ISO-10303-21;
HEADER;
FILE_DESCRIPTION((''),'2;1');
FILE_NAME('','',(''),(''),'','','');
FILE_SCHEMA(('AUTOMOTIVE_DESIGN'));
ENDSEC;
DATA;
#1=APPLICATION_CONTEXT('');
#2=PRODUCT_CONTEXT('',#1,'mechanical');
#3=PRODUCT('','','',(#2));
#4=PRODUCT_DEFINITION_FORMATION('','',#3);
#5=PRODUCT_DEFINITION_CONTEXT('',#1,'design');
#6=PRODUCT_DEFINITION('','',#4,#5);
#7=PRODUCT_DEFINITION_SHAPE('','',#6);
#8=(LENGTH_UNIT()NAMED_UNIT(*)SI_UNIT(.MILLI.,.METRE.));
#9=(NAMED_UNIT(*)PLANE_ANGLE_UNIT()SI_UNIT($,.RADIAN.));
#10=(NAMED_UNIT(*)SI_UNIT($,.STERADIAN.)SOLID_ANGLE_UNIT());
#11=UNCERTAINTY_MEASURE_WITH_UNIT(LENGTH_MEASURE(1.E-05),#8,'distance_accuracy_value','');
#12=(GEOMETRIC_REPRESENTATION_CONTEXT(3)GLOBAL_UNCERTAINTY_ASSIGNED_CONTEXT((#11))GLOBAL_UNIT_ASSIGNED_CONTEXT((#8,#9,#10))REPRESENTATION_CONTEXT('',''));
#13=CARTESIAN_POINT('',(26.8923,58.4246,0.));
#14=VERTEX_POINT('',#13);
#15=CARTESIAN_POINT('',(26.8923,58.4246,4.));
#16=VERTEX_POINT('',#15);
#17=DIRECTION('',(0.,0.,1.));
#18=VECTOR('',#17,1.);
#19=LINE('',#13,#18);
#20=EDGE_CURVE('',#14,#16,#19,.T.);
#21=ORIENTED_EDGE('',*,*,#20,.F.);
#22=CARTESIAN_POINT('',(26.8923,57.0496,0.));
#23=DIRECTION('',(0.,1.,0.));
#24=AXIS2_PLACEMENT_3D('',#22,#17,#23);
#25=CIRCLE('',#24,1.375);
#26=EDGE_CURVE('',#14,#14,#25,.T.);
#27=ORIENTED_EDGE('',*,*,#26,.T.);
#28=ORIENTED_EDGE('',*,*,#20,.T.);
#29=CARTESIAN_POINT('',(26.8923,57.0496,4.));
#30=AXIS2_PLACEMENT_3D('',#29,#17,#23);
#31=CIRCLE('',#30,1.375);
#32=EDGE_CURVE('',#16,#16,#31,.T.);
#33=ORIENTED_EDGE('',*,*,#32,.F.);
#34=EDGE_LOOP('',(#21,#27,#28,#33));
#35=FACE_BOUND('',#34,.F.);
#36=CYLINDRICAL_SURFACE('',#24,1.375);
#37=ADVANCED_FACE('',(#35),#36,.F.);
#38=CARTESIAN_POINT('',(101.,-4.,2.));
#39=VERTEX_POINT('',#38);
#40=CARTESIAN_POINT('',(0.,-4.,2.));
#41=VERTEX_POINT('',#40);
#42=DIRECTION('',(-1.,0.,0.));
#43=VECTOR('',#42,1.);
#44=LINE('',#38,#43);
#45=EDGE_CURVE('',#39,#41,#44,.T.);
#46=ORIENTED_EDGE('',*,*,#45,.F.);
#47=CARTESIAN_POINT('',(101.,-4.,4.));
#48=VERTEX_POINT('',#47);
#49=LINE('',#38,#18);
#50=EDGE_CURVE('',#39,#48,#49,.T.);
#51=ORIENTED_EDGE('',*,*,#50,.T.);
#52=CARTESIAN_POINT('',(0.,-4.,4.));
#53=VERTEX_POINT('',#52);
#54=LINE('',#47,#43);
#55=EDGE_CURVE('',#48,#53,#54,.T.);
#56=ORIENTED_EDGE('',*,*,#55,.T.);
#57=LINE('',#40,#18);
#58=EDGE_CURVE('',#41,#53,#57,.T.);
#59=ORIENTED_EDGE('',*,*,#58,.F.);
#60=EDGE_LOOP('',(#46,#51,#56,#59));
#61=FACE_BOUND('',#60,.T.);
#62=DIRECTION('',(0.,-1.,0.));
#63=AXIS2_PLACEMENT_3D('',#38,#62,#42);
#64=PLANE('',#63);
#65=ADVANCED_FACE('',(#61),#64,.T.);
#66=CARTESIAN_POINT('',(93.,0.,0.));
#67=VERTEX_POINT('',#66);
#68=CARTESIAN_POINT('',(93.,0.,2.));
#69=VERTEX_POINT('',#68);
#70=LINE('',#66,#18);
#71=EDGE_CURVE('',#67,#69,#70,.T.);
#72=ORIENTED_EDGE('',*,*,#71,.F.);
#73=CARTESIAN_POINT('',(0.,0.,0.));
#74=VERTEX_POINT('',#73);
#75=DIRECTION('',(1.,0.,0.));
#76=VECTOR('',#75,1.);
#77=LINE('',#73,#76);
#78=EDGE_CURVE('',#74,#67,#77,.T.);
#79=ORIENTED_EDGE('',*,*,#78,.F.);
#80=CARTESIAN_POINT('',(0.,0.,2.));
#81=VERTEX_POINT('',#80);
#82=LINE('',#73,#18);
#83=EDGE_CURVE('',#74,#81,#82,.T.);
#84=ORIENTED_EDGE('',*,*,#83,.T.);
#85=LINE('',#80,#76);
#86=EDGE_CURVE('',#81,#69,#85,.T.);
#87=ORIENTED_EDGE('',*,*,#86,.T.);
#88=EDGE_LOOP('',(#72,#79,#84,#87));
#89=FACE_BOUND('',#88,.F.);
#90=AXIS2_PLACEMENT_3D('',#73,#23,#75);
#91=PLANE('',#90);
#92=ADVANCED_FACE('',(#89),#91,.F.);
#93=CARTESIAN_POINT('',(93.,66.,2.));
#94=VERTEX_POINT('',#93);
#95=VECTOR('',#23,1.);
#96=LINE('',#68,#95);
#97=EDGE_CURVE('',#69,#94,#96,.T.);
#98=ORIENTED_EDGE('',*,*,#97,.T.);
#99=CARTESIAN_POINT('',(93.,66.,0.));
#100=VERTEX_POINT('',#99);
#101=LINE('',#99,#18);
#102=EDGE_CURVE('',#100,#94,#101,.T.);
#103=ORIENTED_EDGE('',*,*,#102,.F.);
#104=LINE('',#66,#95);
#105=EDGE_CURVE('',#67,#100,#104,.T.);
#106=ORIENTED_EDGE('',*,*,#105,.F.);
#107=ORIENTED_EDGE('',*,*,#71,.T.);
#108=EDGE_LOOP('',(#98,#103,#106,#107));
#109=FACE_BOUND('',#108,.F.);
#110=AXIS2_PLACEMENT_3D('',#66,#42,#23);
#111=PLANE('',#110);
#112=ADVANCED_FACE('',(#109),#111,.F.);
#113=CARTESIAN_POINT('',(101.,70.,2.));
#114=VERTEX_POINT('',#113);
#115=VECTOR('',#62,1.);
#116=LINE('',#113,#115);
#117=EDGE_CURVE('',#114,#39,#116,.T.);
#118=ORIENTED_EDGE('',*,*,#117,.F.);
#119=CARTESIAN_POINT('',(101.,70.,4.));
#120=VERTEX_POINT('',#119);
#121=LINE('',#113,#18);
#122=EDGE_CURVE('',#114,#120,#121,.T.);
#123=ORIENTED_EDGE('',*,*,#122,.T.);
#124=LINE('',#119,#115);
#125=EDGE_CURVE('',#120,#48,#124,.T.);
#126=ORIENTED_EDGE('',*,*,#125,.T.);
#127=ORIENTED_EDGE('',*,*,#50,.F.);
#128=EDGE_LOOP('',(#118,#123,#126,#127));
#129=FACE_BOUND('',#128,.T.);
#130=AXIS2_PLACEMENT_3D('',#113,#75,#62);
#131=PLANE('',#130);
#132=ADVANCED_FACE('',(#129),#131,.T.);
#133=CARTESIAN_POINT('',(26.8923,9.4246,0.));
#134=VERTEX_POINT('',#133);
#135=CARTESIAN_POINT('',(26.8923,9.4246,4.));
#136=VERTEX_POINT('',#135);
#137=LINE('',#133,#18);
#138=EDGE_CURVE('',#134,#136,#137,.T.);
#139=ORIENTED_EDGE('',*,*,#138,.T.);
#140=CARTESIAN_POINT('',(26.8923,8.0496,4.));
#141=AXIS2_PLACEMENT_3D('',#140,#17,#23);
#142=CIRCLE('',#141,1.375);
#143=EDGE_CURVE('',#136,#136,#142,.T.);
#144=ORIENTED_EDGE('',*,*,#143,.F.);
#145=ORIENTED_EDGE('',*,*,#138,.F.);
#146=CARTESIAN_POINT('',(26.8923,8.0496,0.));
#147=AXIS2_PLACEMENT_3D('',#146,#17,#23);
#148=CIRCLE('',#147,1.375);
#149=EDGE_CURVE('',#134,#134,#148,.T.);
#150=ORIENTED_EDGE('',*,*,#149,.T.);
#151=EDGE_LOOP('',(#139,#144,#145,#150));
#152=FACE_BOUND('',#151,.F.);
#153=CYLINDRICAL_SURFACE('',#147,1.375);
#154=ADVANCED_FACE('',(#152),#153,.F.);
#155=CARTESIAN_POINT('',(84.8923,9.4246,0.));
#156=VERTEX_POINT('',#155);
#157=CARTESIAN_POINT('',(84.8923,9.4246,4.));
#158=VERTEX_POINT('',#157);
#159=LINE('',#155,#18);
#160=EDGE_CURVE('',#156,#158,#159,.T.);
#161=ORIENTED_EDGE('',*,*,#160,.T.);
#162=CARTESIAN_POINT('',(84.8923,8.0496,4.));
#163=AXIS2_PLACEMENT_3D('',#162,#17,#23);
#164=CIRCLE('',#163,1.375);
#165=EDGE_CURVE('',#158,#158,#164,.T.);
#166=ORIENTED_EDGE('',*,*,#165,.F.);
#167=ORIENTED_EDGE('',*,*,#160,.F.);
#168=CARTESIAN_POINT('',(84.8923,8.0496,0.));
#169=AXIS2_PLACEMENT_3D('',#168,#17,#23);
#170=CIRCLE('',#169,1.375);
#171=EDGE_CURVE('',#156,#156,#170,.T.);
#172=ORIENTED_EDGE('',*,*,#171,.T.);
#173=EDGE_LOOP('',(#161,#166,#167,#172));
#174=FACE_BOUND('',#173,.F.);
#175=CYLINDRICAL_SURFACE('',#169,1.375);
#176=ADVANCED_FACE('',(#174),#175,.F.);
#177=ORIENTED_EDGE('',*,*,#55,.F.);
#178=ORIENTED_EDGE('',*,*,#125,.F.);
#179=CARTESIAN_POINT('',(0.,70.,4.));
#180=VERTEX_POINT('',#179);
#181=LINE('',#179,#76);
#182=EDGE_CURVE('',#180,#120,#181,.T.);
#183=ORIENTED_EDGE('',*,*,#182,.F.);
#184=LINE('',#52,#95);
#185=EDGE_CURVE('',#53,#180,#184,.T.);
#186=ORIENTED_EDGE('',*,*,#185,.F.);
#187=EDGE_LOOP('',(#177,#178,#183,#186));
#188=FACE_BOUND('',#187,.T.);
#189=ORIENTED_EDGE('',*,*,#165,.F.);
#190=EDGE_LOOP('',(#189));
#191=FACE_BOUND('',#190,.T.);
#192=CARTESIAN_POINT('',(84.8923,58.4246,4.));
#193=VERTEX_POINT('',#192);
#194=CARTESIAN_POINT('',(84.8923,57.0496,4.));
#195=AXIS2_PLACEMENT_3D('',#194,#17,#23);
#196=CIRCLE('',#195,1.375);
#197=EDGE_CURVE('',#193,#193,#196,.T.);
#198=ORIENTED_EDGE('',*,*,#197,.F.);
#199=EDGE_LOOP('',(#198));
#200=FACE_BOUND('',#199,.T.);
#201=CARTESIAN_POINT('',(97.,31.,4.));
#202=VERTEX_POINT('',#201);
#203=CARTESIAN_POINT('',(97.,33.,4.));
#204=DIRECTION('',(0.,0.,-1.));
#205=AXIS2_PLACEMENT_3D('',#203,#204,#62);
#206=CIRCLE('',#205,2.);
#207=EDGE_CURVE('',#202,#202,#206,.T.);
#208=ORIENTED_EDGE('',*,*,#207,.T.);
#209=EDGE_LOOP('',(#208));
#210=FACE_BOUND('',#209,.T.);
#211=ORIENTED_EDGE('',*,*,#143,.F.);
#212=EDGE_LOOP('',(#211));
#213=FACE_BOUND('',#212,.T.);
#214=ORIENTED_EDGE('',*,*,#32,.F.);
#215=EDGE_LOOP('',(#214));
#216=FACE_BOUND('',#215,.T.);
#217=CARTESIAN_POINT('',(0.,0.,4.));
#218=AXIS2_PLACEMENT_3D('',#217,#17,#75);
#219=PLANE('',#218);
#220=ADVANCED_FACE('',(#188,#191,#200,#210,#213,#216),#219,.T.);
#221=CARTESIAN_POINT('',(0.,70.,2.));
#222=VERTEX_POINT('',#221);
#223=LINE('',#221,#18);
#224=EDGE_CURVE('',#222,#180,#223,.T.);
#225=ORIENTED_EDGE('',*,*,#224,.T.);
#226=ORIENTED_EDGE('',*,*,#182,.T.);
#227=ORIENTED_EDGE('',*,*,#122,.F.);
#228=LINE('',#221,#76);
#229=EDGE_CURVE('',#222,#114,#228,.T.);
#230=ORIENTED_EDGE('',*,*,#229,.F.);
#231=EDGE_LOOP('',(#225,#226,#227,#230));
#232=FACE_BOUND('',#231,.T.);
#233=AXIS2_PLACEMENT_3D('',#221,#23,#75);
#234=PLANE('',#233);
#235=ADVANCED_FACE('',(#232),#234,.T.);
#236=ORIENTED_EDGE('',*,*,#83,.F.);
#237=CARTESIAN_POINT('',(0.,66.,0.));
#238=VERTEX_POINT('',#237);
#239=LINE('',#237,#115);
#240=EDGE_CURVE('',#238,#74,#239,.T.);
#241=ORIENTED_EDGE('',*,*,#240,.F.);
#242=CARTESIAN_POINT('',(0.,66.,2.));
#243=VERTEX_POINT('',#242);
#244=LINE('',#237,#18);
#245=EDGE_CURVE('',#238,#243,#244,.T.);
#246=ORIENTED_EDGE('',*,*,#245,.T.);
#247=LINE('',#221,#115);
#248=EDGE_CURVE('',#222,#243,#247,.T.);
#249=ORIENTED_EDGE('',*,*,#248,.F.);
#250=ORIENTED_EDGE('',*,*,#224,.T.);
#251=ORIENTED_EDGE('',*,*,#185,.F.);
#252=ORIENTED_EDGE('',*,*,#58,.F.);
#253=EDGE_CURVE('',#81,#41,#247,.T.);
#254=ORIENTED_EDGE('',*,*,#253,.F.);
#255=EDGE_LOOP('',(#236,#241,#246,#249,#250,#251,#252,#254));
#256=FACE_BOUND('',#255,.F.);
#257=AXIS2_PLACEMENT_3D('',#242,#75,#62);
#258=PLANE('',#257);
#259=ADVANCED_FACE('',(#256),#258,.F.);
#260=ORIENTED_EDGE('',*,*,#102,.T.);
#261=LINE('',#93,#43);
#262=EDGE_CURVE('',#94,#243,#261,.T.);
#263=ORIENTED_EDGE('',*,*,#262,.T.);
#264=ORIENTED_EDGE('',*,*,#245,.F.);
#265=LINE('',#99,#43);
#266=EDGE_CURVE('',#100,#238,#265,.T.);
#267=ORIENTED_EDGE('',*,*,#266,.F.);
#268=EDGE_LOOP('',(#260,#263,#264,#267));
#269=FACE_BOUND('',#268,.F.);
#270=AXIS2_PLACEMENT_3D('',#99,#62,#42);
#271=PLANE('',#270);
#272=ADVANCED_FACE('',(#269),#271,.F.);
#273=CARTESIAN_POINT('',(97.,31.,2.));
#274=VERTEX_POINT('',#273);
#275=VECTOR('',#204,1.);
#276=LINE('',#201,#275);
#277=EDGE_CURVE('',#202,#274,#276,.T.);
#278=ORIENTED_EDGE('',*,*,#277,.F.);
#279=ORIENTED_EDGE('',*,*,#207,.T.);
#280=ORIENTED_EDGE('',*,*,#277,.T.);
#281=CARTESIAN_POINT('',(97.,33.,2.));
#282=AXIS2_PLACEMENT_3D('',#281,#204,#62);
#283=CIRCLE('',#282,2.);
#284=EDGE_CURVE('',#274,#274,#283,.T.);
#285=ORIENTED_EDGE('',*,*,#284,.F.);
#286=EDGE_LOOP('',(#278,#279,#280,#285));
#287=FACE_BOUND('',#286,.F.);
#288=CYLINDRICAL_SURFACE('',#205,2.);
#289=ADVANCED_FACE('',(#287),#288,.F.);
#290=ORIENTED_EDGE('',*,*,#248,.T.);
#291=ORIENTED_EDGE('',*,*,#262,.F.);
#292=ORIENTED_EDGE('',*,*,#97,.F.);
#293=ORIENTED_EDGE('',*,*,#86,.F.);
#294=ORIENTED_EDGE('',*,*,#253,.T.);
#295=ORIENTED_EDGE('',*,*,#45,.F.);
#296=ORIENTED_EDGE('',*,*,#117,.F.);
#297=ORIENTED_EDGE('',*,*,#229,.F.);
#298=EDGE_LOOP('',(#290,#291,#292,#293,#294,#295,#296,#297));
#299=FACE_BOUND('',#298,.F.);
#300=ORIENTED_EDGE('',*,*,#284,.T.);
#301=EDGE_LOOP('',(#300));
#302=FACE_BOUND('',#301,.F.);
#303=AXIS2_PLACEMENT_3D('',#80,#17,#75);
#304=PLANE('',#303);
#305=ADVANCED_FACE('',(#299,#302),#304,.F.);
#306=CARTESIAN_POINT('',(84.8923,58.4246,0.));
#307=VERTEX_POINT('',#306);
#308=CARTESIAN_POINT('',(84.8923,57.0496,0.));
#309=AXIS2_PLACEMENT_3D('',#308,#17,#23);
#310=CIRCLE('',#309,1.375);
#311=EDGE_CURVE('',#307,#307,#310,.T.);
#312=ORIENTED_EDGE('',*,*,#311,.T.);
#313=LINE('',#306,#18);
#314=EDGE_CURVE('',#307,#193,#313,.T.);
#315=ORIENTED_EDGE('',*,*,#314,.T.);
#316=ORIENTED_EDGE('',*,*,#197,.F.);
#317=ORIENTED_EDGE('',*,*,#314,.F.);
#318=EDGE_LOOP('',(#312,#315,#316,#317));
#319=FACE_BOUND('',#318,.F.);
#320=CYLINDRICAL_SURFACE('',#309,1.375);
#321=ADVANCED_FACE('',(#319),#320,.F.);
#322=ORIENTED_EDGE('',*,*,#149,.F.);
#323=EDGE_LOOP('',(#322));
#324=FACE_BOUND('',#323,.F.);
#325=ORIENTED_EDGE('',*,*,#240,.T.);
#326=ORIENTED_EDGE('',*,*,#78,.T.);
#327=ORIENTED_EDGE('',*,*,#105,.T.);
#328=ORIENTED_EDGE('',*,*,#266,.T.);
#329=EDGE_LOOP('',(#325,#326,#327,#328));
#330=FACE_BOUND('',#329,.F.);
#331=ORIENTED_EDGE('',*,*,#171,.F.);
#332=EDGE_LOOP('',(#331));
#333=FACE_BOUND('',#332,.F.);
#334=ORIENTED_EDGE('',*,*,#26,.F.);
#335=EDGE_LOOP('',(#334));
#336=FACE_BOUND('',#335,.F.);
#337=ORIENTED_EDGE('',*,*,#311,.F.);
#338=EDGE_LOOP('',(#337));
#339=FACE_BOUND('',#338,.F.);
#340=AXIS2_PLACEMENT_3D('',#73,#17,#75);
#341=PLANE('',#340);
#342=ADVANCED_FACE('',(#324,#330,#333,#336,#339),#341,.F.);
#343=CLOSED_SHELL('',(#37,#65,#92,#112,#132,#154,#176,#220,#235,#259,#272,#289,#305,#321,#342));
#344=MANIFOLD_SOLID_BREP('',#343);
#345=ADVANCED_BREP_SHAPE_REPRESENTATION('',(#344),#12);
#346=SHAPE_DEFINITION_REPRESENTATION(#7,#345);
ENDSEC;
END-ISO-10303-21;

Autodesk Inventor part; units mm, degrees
ref_plane "YZ Plane" through (0, 0, 0) normal (1, 0, 0) x (0, 1, 0)
ref_plane "XZ Plane" through (0, 0, 0) normal (0, 1, 0) x (-1, 0, 0)
ref_plane "XY Plane" through (0, 0, 0) normal (0, 0, 1) x (1, 0, 0)
sketch "Sketch1" plane through (0, 0, 0) normal (0, 0, 1) x (1, 0, 0)
  line L0 (0, 0) -> (93, 0)
  line L1 (93, 0) -> (93, 66)
  line L2 (93, 66) -> (0, 66)
  line L3 (0, 66) -> (0, 0)
  dimension "d0" = 93
  dimension "d1" = 66
extrude "Extrusion1" add sketch "Sketch1" along normal blind 2
sketch "Sketch2" plane through (0, 0, 2) normal (0, 0, 1) x (1, 0, 0)
  line L0 (93, 0) -> (93, 66) projected
  line L1 (93, 66) -> (0, 66) projected
  line L2 (0, 66) -> (0, 0) projected
  line L3 (0, 0) -> (93, 0) projected
  line L4 (0, 70) -> (101, 70)
  line L5 (101, 70) -> (101, -4)
  line L6 (101, -4) -> (0, -4)
  line L7 (0, 66) -> (0, 70)
  line L8 (0, -4) -> (0, 0)
  dimension "d4" = 4
  dimension "d5" = 8
  dimension "d6" = 4
extrude "Extrusion2" add sketch "Sketch2" along normal blind 2
sketch "Sketch3" plane through (0, 0, 0) normal (0, 0, -1) x (-1, 0, 0)
  circle A0 centre (-26.8923, 57.0496) radius 1.375 projected
  circle A1 centre (-84.8923, 57.0496) radius 1.375 projected
  circle A2 centre (-84.8923, 8.0496) radius 1.375 projected
  circle A3 centre (-26.8923, 8.0496) radius 1.375 projected
  point P0 (0, 0)
hole "Hole1" at (26.8923, 57.0496, 0) at (84.8923, 57.0496, 0) at (84.8923, 8.0496, 0) at (26.8923, 8.0496, 0) direction (0, 0, 1) diameter 2.75 depth 4
sketch "Sketch4" plane through (0, 0, 4) normal (0, 0, 1) x (1, 0, 0)
  line L0 (101, 70) -> (0, 70) projected
  line L1 (0, -4) -> (101, -4) projected
  line L2 (0, 70) -> (0, -4) projected
  line L3 (101, -4) -> (101, 70) projected
  point P0 (0, 0)
  point P1 (97, 33)
  dimension "d16" = 37
  dimension "d18" = 4
hole "Hole2" at (97, 33, 4) direction (0, 0, -1) diameter 4 depth 3
thread "Thread1" size "M4x0.7" class "6H" standard "ANSI Metric M Profile" full length
thread "Thread2" size "M3x0.5" class "6H" standard "ANSI Metric M Profile" full length
thread "Thread3" size "M3x0.5" class "6H" standard "ANSI Metric M Profile" full length
thread "Thread4" size "M3x0.5" class "6H" standard "ANSI Metric M Profile" full length
thread "Thread5" size "M3x0.5" class "6H" standard "ANSI Metric M Profile" full length
properties part number "Tapa raspberry" material "ABS Plastic"
